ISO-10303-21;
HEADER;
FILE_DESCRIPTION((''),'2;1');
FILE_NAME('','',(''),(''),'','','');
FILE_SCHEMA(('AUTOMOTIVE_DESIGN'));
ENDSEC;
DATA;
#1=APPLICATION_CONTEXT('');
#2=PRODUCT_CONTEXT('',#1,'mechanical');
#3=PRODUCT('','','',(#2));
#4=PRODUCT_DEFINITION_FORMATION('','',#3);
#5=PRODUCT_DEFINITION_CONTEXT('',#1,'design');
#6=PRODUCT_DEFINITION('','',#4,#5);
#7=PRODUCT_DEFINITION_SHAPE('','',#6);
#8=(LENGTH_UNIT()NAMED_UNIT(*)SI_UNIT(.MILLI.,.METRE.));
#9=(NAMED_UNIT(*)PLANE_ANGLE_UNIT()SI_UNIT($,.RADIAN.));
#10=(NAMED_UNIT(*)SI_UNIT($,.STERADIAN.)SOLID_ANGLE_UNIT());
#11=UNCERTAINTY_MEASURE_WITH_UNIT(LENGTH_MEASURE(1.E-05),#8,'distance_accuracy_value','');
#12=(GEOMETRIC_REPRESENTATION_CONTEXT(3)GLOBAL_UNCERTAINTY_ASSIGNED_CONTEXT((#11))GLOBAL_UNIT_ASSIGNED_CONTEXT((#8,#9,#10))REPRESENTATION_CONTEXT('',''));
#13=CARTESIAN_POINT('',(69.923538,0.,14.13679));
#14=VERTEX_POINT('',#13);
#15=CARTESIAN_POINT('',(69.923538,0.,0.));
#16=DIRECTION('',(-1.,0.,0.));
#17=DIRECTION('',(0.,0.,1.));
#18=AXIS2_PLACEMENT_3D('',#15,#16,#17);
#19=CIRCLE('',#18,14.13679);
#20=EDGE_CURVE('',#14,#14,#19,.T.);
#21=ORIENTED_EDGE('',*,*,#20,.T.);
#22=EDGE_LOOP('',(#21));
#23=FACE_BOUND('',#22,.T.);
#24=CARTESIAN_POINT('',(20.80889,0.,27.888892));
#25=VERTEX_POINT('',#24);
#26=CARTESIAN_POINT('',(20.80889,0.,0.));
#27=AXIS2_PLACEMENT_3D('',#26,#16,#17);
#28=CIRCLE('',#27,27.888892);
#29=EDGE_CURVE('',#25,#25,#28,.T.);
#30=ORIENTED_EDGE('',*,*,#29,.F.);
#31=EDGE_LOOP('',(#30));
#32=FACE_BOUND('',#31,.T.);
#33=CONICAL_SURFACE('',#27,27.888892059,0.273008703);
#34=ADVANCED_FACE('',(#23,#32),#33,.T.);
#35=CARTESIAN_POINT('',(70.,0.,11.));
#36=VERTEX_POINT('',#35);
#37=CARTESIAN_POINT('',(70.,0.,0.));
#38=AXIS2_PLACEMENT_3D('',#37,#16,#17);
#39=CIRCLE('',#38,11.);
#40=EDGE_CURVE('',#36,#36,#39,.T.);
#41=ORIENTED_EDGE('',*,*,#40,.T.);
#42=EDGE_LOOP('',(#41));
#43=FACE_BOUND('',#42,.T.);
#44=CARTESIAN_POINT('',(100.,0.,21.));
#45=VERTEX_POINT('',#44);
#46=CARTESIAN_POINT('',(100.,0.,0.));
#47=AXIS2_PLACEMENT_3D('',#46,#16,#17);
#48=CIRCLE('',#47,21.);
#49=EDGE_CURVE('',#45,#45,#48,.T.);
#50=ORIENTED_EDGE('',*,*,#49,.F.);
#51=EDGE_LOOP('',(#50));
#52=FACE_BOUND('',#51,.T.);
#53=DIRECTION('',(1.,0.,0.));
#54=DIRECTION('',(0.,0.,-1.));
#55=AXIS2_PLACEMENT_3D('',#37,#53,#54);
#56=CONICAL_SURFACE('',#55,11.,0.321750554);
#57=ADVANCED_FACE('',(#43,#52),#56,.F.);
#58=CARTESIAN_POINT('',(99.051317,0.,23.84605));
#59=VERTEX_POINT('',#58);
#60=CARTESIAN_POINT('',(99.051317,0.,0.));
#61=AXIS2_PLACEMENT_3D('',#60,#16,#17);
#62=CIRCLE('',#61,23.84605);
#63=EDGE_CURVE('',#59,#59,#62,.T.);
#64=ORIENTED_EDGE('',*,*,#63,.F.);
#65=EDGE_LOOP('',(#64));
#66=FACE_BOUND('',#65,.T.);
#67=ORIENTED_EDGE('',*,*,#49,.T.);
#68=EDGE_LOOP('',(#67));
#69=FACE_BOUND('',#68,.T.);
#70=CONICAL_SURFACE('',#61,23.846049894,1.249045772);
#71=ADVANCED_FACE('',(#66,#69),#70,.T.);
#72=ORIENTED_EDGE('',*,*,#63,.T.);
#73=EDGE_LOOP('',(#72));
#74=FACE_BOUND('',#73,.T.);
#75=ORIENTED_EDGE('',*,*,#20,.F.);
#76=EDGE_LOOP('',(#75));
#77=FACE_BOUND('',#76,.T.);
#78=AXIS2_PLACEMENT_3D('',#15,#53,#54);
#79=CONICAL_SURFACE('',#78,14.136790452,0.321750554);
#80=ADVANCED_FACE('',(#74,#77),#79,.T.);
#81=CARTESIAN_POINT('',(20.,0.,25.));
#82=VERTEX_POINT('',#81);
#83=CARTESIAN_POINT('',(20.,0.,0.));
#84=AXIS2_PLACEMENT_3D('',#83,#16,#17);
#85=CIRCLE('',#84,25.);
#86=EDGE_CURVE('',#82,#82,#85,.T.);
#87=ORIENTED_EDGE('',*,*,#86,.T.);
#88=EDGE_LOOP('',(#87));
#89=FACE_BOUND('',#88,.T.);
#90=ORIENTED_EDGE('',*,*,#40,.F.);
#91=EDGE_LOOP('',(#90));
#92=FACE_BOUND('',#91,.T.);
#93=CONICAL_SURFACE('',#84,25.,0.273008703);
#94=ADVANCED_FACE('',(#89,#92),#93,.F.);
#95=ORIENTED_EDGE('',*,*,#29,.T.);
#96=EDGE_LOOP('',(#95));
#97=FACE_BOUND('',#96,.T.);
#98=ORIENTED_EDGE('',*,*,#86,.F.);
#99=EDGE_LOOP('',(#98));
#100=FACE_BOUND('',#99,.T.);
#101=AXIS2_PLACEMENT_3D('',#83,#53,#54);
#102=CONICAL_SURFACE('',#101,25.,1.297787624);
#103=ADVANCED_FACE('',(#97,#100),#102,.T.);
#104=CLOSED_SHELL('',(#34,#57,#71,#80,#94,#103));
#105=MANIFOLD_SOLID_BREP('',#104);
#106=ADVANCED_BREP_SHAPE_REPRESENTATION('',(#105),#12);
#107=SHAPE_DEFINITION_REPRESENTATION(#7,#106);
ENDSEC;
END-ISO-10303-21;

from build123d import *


with BuildPart() as part:
    # Sketch1 → Revolve-Thin1 (revolve)
    with BuildSketch(Plane.XY, mode=Mode.PRIVATE) as revolve_thin1_sk:
        Polygon((20, 25), (70, 11), (100, 21), (99.051316702, 23.846049894), (69.923538375, 14.136790452), (20.808889777, 27.888892059), align=None)
    revolve(revolve_thin1_sk.sketch.rotate(Axis((0, 0, 0), (1, 0, 0)), 90), axis=Axis((0, 0, 0), (1, 0, 0)))


solid = part.part
